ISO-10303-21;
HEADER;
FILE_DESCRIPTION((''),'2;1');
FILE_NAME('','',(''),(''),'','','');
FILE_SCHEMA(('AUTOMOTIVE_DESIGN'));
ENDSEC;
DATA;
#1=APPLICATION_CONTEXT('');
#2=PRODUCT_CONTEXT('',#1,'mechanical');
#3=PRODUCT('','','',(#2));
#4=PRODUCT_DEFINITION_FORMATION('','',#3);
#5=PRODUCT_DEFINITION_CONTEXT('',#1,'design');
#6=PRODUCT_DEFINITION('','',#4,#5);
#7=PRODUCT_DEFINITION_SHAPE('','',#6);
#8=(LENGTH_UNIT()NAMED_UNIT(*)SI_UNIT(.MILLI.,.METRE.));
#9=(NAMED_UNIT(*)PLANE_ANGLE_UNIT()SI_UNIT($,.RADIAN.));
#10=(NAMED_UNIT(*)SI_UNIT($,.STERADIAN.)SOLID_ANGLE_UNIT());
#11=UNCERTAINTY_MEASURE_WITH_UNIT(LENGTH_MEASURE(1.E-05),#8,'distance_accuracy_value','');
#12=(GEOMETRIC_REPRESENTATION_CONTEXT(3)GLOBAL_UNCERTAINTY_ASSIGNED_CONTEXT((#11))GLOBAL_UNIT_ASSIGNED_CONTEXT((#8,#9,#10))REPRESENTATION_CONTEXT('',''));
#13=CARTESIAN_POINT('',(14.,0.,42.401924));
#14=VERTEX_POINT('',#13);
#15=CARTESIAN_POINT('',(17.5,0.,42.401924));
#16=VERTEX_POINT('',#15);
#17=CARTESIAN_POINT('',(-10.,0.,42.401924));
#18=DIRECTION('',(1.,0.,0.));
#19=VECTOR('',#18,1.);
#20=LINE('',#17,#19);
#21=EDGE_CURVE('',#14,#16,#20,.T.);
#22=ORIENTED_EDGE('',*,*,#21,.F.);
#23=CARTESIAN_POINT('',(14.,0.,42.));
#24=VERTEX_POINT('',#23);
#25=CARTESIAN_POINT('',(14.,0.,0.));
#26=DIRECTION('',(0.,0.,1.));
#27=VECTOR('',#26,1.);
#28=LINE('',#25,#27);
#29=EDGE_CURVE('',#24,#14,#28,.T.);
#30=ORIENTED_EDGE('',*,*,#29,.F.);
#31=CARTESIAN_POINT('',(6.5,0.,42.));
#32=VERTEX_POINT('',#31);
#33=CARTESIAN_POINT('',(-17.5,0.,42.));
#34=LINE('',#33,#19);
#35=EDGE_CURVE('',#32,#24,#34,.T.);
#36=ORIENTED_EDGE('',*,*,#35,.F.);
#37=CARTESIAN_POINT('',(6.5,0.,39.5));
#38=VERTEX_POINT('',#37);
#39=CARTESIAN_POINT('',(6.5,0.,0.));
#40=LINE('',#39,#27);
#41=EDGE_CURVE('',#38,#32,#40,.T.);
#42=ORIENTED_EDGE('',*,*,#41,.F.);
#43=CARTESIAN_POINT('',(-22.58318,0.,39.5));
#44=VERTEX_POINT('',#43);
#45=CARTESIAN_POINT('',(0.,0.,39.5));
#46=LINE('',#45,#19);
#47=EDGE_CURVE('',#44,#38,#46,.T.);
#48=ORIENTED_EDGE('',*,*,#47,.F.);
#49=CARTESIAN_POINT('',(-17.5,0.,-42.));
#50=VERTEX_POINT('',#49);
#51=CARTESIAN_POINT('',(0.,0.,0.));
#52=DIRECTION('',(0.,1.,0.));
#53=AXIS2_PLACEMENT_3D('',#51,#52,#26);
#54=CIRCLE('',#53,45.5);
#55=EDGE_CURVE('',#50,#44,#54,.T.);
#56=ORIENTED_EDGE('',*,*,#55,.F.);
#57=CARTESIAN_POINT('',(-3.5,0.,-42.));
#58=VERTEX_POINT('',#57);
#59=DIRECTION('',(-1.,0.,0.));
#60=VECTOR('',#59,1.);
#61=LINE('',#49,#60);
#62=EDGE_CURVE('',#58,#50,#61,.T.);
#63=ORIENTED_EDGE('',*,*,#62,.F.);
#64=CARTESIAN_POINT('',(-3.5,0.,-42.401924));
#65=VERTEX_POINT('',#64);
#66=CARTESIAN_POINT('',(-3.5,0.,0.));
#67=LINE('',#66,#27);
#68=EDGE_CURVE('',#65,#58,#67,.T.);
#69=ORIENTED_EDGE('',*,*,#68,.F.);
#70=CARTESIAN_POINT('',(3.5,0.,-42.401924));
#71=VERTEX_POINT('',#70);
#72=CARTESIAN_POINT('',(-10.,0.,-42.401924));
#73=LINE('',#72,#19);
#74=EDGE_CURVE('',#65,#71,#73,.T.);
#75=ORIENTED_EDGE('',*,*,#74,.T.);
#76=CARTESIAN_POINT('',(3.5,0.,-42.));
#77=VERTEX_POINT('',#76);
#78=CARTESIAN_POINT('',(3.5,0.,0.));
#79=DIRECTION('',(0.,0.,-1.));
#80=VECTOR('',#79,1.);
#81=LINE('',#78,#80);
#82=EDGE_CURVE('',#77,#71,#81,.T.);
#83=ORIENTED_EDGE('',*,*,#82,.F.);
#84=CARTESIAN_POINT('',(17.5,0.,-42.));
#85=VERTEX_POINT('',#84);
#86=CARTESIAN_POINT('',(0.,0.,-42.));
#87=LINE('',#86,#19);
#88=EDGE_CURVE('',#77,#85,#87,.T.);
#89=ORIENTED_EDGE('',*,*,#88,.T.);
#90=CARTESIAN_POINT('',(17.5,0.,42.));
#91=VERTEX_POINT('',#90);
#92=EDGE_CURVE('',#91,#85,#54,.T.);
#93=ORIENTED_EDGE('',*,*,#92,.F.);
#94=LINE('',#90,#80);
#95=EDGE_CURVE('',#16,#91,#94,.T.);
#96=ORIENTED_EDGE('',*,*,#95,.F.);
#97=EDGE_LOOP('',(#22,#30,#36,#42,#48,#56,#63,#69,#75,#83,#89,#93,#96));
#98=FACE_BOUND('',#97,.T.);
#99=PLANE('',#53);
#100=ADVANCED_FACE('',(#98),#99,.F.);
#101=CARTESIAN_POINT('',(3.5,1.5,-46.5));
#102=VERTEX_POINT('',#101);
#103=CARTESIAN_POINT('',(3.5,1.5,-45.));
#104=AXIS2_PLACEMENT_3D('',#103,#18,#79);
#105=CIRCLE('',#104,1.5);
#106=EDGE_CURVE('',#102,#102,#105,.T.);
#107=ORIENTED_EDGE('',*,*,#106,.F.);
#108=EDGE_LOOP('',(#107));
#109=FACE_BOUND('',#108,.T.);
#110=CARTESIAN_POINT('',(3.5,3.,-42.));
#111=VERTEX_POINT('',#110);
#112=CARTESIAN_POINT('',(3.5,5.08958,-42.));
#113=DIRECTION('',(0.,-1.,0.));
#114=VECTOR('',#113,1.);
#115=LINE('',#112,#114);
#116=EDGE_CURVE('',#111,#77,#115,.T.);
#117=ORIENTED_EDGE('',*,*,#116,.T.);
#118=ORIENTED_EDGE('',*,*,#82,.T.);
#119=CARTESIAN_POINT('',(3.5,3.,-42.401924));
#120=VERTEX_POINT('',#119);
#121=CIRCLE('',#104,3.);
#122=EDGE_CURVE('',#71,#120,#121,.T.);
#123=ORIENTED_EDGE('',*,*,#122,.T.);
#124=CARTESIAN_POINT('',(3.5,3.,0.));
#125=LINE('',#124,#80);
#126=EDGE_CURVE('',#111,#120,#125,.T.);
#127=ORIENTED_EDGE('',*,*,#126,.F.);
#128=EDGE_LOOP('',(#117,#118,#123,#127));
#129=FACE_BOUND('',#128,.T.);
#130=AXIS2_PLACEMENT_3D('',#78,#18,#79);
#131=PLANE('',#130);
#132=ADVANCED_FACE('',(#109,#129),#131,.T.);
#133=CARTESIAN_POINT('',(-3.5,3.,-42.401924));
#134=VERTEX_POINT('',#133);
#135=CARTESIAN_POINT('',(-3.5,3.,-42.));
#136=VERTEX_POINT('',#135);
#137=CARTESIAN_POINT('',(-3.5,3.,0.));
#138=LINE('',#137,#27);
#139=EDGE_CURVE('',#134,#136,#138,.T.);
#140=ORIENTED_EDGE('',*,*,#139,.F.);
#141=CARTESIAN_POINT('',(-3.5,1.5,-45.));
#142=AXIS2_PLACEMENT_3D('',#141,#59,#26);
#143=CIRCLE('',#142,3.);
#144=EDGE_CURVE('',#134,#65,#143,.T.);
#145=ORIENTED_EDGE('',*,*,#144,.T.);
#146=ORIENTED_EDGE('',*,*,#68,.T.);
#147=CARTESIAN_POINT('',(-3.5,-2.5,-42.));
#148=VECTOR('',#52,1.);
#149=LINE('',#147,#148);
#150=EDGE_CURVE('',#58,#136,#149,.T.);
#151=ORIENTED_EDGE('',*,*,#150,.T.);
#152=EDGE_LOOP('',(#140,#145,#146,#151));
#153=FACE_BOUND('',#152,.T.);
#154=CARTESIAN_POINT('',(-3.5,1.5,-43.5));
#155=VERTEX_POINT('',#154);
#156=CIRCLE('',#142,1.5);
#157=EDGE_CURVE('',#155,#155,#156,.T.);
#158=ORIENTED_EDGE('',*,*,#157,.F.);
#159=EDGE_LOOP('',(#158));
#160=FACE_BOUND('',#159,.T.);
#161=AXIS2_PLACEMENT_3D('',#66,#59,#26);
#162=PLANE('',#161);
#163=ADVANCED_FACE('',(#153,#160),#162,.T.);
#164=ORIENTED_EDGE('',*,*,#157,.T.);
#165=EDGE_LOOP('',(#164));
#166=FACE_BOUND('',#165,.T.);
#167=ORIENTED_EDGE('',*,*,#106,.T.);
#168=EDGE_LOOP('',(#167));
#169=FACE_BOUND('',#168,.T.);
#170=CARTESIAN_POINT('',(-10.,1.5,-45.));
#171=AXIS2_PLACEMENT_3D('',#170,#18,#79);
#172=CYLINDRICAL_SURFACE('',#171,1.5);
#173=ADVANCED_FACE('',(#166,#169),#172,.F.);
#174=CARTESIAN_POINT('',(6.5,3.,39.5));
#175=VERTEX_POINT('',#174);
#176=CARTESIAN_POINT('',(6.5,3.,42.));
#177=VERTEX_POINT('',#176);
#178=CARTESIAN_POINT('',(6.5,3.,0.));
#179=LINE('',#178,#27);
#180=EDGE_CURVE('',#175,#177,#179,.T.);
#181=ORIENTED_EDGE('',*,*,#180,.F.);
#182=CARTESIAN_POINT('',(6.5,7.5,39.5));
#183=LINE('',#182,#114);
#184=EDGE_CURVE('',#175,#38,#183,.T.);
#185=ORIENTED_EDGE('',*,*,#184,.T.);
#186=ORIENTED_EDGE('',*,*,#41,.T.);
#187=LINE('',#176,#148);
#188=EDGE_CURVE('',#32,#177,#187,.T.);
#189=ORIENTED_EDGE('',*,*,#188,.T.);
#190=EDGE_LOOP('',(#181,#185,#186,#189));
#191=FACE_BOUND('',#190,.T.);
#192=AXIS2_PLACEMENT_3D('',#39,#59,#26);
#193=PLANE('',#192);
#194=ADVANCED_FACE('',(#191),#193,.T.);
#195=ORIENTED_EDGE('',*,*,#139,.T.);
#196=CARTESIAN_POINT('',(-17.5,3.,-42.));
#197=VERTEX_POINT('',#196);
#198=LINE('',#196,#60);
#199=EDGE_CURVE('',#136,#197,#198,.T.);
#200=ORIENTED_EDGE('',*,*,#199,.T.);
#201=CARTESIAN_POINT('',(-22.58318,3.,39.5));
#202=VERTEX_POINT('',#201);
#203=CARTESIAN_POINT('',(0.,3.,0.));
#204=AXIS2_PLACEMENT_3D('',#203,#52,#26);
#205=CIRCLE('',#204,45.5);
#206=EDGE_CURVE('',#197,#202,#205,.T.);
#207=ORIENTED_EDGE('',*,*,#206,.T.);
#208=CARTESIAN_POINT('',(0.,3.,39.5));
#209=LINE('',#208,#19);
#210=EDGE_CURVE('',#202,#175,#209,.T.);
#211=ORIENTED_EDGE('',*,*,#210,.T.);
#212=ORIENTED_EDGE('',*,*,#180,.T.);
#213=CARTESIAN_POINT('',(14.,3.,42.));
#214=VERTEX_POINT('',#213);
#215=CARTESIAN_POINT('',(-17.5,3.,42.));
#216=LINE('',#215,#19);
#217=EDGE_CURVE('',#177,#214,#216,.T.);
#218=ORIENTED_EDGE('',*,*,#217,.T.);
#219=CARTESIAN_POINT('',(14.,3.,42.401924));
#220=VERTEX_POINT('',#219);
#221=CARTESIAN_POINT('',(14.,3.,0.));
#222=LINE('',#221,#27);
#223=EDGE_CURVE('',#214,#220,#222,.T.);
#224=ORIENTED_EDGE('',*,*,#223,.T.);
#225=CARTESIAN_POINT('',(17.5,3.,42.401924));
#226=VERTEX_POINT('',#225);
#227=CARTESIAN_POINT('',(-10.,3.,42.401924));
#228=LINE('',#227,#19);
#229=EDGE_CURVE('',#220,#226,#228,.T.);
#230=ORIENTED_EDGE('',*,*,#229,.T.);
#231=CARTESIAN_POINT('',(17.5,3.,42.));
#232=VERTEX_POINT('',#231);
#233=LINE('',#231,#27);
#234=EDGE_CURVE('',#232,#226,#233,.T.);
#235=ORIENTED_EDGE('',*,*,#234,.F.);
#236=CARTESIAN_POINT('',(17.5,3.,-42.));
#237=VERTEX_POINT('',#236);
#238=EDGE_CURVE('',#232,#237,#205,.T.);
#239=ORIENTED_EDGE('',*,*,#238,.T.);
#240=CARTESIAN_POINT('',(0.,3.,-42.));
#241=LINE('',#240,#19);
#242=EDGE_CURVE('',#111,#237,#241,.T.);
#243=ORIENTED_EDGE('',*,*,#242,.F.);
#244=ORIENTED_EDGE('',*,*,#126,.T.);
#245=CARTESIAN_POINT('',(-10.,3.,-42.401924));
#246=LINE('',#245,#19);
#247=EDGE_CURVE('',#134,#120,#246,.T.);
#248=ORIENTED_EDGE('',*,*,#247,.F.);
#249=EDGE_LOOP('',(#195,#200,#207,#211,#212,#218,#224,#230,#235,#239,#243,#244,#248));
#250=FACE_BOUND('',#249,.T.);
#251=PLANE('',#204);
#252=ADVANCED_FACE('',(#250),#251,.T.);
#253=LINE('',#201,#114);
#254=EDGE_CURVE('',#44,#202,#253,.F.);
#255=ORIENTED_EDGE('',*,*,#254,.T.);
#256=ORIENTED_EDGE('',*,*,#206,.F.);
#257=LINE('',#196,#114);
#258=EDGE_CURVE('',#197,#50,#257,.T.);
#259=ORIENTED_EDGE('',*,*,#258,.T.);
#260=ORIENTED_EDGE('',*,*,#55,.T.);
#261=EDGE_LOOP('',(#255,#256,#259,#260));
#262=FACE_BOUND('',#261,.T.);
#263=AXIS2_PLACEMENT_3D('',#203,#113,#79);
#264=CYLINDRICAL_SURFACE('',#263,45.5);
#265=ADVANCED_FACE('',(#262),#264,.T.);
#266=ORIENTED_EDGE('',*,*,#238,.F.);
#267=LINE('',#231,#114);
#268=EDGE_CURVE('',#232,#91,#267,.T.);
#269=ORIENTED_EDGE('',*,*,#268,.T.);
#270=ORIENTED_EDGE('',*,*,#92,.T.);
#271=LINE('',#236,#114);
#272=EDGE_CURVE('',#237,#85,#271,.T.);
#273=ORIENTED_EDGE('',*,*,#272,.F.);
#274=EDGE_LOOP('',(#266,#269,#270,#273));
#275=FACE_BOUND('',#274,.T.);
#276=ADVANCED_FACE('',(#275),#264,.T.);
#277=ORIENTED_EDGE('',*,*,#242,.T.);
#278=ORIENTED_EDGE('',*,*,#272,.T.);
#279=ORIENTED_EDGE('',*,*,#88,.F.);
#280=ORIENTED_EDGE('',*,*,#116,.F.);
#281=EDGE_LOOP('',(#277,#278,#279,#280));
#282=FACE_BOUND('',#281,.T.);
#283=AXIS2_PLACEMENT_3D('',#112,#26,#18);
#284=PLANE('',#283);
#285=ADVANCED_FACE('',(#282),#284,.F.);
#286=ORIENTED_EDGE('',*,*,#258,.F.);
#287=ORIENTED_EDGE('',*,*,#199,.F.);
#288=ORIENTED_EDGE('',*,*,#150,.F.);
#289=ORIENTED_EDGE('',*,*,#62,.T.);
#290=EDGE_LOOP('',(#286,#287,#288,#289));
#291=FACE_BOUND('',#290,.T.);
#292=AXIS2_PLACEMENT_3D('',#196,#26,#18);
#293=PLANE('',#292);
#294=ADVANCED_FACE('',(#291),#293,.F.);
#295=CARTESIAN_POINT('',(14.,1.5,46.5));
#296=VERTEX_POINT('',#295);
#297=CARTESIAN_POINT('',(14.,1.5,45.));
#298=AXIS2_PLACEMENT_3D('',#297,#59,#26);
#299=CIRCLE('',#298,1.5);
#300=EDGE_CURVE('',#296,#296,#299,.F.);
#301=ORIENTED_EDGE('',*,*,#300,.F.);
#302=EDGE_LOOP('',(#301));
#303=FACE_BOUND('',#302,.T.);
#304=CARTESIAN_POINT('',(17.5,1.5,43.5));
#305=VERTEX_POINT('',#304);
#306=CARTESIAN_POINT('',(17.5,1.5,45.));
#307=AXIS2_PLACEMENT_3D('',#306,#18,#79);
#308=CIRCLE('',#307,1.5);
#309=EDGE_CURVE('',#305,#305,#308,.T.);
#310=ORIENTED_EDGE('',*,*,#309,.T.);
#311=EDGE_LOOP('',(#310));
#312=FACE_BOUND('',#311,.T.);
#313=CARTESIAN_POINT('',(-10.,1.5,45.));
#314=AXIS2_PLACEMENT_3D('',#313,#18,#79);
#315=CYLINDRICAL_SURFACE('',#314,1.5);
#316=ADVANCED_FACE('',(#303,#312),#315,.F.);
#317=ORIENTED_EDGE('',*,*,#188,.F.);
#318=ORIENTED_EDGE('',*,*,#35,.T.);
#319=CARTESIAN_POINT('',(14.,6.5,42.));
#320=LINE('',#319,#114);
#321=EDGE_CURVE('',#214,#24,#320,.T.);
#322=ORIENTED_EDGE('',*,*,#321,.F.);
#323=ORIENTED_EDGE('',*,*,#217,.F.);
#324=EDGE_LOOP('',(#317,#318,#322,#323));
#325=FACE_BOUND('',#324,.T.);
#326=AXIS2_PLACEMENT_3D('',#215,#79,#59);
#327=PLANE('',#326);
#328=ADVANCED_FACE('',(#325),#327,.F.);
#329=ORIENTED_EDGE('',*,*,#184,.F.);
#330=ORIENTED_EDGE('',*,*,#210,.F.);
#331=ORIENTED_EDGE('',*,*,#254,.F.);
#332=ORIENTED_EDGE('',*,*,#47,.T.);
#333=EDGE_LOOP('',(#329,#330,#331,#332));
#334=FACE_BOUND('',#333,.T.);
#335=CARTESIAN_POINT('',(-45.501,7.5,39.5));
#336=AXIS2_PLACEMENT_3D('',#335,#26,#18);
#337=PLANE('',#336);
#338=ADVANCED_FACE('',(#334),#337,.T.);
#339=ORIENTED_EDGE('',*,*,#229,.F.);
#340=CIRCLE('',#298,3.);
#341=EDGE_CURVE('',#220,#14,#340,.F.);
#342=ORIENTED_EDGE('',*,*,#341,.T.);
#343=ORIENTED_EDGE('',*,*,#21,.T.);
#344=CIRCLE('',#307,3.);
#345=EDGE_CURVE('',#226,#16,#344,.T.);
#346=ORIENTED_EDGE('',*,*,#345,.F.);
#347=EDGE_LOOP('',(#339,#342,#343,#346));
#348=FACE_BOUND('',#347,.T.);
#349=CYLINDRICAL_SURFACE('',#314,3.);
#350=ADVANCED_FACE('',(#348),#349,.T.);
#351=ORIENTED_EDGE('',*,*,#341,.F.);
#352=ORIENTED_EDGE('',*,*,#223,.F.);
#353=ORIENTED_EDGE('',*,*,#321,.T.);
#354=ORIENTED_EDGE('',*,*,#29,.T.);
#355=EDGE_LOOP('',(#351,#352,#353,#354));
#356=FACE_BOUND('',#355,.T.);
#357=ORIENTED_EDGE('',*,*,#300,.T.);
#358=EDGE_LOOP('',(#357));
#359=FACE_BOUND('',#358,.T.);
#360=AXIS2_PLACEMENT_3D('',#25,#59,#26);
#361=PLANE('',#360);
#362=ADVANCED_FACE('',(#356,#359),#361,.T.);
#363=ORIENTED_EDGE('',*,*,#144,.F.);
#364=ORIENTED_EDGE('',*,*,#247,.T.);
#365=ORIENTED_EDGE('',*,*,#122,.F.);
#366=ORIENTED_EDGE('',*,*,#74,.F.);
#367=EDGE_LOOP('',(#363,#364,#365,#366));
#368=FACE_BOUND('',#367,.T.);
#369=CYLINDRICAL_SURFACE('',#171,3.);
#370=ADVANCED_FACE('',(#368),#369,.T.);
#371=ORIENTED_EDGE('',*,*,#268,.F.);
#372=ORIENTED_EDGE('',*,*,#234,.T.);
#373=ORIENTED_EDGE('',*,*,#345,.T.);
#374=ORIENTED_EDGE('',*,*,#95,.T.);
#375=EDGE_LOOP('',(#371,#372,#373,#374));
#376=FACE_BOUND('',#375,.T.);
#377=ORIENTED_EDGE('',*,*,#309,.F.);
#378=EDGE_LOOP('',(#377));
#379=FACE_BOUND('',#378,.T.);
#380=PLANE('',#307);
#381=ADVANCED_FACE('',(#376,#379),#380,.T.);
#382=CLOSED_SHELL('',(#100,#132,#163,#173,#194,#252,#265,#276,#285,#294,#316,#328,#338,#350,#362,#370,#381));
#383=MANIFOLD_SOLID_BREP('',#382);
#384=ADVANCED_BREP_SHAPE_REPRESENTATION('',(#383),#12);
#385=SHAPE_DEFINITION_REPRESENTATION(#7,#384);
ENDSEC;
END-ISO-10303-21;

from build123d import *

# Parameters (mm, degrees)
BOSS_EXTRUDE1_DEPTH     = 3
BOSS_EXTRUDE2_START     = -10
SKETCH2_R               = 1.5
BOSS_EXTRUDE2_DEPTH     = 27.5
SKETCH3_W               = 8
SKETCH3_H               = 9
CUT_EXTRUDE1_DEPTH      = 24
SKETCH4_W               = 8
SKETCH4_H               = 9
CUT_EXTRUDE2_DEPTH      = 6.5
SKETCH5_W               = 7
SKETCH5_H               = 7
CUT_EXTRUDE3_DEPTH      = 14
CUT_EXTRUDE4_REACH      = 72.91
CUT_EXTRUDE4_END_RADIUS = 45.5
SKETCH6_W               = 11
SKETCH6_H               = 12


with BuildPart() as part:
    # Sketch1 → Boss-Extrude1 (new body)
    with BuildSketch(Plane(origin=(0, 0, 0), x_dir=(1, 0, 0), z_dir=(0, 1, 0))):
        with BuildLine():
            Line((-17.5, -42), (17.5, -42))
            ThreePointArc((17.5, -42), (45.5, 0), (17.5, 42))
            Line((17.5, 42), (-17.5, 42))
            ThreePointArc((-17.5, 42), (-45.5, 0), (-17.5, -42))
        make_face()
    extrude(amount=BOSS_EXTRUDE1_DEPTH)

    # Sketch2 → Boss-Extrude2 (add)
    with BuildSketch(Plane(origin=(0, 0, 0), x_dir=(0, 0, -1), z_dir=(1, 0, 0)).offset(BOSS_EXTRUDE2_START)):
        with BuildLine():
            Line((-42, 0), (-42.401923789, 0))
            ThreePointArc((-42.401923789, 0), (-48, 1.5), (-42.401923789, 3))
            Line((-42.401923789, 3), (-42, 3))
            Line((-42, 3), (-42, 1.5))
            Line((-42, 1.5), (-42, 0))
        make_face()
        with Locations((-45, 1.5)):
            Circle(SKETCH2_R, mode=Mode.SUBTRACT)
    boss_extrude2 = extrude(amount=BOSS_EXTRUDE2_DEPTH)

    # Mirror1: Boss-Extrude2 across plane
    add(boss_extrude2.mirror(Plane.XY))

    # Sketch3 → Cut-Extrude1 (cut)
    with BuildSketch(Plane.ZY.offset(10)):
        with Locations((46, 2)):
            Rectangle(SKETCH3_W, SKETCH3_H)
    extrude(amount=-CUT_EXTRUDE1_DEPTH, mode=Mode.SUBTRACT)

    # Sketch4 → Cut-Extrude2 (cut)
    with BuildSketch(Plane.ZY.offset(10)):
        with Locations((-46, 2)):
            Rectangle(SKETCH4_W, SKETCH4_H)
    extrude(amount=-CUT_EXTRUDE2_DEPTH, mode=Mode.SUBTRACT)

    # Sketch5 → Cut-Extrude3 (cut)
    with BuildSketch(Plane(origin=(17.5, 0, 0), x_dir=(0, 0, -1), z_dir=(1, 0, 0))):
        with Locations((45.5, 1.589580261)):
            Rectangle(SKETCH5_W, SKETCH5_H)
    extrude(amount=-CUT_EXTRUDE3_DEPTH, mode=Mode.SUBTRACT)

    # Cut-Extrude4: up to this cylinder (the profile starts inside it)
    cut_extrude4_end = Plane(origin=(0, 1.5, 0), z_dir=(0, -1, 0)) * Cylinder(CUT_EXTRUDE4_END_RADIUS, 237.82, mode=Mode.PRIVATE)
    # Sketch6 → Cut-Extrude4 (cut, up to the surface)
    with BuildSketch(Plane.ZY.offset(-6.5), mode=Mode.PRIVATE) as cut_extrude4_sk1:
        with Locations((45, 1.5)):
            Rectangle(SKETCH6_W, SKETCH6_H)
    cut_extrude4_tool1 = extrude(cut_extrude4_sk1.sketch, amount=CUT_EXTRUDE4_REACH, mode=Mode.PRIVATE) & cut_extrude4_end
    add(cut_extrude4_tool1.solids().sort_by_distance((6.5, 1.5, 45))[0], mode=Mode.SUBTRACT)


solid = part.part
